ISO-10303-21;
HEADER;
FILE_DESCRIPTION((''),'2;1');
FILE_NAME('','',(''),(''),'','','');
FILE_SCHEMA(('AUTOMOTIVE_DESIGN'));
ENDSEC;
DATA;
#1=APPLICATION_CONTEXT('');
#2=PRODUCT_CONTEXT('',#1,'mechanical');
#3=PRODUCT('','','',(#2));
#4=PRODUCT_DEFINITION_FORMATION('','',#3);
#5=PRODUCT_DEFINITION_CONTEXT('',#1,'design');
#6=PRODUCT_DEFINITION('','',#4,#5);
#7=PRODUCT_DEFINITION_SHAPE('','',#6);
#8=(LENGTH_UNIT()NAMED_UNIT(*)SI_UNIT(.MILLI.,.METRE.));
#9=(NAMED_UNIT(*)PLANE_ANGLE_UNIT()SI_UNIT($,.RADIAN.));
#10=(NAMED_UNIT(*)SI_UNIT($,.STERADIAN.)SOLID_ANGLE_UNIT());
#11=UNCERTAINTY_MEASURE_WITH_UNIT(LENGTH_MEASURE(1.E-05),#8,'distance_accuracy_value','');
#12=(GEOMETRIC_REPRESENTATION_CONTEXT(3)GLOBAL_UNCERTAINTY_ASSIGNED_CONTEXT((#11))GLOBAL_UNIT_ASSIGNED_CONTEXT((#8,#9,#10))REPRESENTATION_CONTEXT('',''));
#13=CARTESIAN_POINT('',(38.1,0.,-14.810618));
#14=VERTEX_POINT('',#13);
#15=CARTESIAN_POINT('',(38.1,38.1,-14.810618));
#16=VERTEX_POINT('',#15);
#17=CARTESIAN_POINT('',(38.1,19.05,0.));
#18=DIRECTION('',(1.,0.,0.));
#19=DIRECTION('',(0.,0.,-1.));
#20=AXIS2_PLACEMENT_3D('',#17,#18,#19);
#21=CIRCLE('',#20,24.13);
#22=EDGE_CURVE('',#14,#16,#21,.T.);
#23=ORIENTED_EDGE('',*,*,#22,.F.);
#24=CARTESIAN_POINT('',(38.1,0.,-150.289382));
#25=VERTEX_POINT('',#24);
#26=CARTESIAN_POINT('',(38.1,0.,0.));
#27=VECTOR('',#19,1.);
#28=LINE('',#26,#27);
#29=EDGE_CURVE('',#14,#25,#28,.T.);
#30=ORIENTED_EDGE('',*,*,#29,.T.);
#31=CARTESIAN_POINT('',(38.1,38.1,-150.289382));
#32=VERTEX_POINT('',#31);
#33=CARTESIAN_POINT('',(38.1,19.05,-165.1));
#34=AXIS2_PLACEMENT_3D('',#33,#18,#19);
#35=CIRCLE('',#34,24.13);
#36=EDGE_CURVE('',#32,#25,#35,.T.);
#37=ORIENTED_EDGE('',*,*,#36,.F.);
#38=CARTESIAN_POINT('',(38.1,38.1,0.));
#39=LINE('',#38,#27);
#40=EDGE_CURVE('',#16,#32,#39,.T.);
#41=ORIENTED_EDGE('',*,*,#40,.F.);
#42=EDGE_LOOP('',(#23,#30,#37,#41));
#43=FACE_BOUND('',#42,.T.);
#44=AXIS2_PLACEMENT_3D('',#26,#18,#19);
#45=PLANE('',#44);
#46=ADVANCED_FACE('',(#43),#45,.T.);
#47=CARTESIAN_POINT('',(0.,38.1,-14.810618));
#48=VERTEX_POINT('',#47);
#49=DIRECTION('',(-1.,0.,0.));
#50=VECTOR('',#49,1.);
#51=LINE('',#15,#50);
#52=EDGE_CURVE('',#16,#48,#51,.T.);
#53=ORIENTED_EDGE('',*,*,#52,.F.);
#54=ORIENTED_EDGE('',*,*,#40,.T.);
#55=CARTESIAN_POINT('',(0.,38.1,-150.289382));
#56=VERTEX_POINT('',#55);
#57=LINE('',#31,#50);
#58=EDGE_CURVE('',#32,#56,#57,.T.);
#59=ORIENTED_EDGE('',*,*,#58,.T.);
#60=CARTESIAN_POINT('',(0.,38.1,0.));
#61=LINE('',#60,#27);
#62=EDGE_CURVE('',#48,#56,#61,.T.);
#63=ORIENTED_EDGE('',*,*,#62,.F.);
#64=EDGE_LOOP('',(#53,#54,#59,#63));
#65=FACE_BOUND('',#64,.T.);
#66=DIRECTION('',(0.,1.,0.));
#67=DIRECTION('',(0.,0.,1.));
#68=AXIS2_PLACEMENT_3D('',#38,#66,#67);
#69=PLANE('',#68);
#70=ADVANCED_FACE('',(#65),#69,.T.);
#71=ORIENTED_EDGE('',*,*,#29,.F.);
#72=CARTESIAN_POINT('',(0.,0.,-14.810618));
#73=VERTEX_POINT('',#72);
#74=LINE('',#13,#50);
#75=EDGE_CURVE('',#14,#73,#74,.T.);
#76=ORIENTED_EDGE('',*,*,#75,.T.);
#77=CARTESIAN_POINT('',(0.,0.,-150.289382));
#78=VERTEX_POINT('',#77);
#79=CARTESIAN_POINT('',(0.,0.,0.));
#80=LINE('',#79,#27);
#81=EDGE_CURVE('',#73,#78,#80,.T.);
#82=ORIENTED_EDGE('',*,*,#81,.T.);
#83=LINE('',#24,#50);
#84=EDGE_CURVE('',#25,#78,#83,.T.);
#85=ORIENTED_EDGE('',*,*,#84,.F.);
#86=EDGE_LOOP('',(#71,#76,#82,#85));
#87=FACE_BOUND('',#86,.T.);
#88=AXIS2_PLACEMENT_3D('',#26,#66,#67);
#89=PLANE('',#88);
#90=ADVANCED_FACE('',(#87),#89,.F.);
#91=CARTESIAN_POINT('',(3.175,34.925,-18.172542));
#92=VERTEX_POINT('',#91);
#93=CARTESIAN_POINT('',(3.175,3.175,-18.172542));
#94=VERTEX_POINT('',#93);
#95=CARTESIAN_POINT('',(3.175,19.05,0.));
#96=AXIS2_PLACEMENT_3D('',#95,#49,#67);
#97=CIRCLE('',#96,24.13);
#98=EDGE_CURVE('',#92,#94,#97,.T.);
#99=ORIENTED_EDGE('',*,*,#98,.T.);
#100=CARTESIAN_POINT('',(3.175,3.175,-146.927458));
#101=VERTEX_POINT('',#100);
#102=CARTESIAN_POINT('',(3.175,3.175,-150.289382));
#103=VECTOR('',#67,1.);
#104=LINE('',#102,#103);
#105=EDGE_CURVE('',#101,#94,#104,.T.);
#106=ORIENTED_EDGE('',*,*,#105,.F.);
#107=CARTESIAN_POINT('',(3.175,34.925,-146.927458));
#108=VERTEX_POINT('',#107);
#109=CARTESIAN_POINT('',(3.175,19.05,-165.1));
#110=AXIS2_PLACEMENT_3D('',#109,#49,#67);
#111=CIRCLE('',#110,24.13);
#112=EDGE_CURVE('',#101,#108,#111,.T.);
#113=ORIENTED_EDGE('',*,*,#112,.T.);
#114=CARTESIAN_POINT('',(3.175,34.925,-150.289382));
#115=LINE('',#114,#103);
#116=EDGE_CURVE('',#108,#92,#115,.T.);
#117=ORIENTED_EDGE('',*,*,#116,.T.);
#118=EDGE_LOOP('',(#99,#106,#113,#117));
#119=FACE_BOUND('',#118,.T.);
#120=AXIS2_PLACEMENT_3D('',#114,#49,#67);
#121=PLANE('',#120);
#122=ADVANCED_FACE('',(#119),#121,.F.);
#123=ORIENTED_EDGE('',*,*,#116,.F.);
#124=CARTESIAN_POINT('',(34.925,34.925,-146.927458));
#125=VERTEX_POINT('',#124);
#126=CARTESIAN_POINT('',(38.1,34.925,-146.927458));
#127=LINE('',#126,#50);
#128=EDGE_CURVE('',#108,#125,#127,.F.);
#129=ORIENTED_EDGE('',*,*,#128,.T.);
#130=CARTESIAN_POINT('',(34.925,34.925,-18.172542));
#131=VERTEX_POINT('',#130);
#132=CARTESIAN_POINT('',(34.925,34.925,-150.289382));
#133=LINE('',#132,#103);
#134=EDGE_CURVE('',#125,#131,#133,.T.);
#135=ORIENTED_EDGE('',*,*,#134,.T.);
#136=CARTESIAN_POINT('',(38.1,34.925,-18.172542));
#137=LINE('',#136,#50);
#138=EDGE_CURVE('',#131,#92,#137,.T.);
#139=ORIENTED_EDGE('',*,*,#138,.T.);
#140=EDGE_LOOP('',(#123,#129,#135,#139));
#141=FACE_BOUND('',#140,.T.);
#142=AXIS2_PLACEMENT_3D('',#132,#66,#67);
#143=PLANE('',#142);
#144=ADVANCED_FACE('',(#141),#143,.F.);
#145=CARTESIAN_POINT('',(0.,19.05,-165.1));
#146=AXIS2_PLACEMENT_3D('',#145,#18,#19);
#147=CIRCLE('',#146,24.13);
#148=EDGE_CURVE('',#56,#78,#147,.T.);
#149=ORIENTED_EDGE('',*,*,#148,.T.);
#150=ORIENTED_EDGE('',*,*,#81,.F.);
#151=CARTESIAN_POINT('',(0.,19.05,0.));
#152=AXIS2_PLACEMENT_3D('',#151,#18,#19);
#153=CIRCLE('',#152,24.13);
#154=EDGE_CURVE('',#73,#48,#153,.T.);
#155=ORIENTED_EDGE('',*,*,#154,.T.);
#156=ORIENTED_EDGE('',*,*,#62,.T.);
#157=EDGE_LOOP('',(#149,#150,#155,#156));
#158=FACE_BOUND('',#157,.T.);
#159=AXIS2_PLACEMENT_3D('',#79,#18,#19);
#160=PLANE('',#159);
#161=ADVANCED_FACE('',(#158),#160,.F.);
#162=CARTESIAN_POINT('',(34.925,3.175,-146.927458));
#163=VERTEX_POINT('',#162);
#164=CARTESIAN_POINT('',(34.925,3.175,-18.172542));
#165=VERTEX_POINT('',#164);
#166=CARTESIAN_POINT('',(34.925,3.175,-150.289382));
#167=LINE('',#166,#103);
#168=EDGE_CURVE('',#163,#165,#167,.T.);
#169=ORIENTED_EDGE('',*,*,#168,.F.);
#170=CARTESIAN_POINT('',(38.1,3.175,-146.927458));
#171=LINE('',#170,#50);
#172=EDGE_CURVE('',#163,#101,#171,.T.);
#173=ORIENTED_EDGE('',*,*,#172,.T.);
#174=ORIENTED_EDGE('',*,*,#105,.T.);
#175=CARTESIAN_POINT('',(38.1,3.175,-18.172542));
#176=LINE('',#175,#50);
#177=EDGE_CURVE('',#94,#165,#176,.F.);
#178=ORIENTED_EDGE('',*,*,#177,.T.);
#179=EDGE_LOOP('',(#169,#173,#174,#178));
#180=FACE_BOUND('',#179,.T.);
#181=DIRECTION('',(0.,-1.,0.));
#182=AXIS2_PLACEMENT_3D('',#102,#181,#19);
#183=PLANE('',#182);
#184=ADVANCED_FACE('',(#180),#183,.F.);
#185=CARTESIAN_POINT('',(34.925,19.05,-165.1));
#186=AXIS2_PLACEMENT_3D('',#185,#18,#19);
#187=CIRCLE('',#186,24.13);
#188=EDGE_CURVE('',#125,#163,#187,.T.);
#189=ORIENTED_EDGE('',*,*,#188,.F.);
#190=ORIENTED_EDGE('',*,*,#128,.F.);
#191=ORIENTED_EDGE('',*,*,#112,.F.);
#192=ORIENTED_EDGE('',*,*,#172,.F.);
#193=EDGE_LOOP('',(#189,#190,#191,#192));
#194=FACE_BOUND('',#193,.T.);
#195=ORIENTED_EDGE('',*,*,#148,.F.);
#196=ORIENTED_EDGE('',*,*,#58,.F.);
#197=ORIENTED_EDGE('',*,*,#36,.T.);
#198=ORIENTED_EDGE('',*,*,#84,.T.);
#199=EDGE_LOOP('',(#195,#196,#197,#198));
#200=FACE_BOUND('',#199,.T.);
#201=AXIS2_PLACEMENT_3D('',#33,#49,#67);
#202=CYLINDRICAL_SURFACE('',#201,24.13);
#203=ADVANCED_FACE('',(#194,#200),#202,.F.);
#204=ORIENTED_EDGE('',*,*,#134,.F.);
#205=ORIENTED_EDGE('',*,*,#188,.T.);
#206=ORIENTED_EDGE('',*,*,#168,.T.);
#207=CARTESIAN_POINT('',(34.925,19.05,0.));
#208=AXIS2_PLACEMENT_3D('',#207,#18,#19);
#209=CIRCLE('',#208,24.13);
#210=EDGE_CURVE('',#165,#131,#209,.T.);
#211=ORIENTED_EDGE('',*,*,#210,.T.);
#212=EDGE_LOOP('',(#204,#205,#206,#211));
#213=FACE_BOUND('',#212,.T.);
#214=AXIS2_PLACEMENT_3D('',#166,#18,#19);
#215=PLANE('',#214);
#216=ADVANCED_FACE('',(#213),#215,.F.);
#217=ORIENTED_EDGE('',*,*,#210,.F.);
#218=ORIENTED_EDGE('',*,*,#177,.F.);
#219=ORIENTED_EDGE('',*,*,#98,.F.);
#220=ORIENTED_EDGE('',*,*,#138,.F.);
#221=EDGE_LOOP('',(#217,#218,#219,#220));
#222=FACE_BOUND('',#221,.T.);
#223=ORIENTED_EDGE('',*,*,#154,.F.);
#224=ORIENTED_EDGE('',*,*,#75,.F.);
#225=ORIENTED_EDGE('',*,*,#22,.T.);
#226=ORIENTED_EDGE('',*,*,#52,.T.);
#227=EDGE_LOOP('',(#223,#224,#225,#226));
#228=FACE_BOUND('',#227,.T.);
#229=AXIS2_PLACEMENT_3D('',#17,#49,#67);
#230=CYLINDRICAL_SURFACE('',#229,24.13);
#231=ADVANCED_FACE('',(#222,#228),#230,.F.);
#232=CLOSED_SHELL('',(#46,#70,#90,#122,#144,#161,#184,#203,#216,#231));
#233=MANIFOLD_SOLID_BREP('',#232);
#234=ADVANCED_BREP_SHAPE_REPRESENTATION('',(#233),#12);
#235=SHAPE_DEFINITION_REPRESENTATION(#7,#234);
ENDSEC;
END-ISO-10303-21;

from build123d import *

# Parameters (mm, degrees)
BOSS_EXTRUDE1_DEPTH = 38.1
SKETCH2_W           = 31.75
SKETCH2_H           = 31.75
CUT_EXTRUDE1_DEPTH  = 160.656250733


with BuildPart() as part:
    # Sketch1 → Boss-Extrude1 (new body)
    with BuildSketch(Plane(origin=(0, 0, 0), x_dir=(0, 0, -1), z_dir=(1, 0, 0))):
        with BuildLine():
            ThreePointArc((24.13, 19.05), (21.675298243, 8.446305074), (14.810617813, 0))
            Line((14.810617813, 0), (150.289382187, 0))
            ThreePointArc((150.289382187, 0), (140.97, 19.05), (150.289382187, 38.1))
            Line((150.289382187, 38.1), (14.810617813, 38.1))
            ThreePointArc((14.810617813, 38.1), (21.675298243, 29.653694926), (24.13, 19.05))
        make_face()
    extrude(amount=BOSS_EXTRUDE1_DEPTH)

    # Sketch2 → Cut-Extrude1 (cut, through all)
    with BuildSketch(Plane.XY):
        with Locations((19.05, 19.05)):
            Rectangle(SKETCH2_W, SKETCH2_H)
    extrude(amount=-CUT_EXTRUDE1_DEPTH, mode=Mode.SUBTRACT)


solid = part.part
